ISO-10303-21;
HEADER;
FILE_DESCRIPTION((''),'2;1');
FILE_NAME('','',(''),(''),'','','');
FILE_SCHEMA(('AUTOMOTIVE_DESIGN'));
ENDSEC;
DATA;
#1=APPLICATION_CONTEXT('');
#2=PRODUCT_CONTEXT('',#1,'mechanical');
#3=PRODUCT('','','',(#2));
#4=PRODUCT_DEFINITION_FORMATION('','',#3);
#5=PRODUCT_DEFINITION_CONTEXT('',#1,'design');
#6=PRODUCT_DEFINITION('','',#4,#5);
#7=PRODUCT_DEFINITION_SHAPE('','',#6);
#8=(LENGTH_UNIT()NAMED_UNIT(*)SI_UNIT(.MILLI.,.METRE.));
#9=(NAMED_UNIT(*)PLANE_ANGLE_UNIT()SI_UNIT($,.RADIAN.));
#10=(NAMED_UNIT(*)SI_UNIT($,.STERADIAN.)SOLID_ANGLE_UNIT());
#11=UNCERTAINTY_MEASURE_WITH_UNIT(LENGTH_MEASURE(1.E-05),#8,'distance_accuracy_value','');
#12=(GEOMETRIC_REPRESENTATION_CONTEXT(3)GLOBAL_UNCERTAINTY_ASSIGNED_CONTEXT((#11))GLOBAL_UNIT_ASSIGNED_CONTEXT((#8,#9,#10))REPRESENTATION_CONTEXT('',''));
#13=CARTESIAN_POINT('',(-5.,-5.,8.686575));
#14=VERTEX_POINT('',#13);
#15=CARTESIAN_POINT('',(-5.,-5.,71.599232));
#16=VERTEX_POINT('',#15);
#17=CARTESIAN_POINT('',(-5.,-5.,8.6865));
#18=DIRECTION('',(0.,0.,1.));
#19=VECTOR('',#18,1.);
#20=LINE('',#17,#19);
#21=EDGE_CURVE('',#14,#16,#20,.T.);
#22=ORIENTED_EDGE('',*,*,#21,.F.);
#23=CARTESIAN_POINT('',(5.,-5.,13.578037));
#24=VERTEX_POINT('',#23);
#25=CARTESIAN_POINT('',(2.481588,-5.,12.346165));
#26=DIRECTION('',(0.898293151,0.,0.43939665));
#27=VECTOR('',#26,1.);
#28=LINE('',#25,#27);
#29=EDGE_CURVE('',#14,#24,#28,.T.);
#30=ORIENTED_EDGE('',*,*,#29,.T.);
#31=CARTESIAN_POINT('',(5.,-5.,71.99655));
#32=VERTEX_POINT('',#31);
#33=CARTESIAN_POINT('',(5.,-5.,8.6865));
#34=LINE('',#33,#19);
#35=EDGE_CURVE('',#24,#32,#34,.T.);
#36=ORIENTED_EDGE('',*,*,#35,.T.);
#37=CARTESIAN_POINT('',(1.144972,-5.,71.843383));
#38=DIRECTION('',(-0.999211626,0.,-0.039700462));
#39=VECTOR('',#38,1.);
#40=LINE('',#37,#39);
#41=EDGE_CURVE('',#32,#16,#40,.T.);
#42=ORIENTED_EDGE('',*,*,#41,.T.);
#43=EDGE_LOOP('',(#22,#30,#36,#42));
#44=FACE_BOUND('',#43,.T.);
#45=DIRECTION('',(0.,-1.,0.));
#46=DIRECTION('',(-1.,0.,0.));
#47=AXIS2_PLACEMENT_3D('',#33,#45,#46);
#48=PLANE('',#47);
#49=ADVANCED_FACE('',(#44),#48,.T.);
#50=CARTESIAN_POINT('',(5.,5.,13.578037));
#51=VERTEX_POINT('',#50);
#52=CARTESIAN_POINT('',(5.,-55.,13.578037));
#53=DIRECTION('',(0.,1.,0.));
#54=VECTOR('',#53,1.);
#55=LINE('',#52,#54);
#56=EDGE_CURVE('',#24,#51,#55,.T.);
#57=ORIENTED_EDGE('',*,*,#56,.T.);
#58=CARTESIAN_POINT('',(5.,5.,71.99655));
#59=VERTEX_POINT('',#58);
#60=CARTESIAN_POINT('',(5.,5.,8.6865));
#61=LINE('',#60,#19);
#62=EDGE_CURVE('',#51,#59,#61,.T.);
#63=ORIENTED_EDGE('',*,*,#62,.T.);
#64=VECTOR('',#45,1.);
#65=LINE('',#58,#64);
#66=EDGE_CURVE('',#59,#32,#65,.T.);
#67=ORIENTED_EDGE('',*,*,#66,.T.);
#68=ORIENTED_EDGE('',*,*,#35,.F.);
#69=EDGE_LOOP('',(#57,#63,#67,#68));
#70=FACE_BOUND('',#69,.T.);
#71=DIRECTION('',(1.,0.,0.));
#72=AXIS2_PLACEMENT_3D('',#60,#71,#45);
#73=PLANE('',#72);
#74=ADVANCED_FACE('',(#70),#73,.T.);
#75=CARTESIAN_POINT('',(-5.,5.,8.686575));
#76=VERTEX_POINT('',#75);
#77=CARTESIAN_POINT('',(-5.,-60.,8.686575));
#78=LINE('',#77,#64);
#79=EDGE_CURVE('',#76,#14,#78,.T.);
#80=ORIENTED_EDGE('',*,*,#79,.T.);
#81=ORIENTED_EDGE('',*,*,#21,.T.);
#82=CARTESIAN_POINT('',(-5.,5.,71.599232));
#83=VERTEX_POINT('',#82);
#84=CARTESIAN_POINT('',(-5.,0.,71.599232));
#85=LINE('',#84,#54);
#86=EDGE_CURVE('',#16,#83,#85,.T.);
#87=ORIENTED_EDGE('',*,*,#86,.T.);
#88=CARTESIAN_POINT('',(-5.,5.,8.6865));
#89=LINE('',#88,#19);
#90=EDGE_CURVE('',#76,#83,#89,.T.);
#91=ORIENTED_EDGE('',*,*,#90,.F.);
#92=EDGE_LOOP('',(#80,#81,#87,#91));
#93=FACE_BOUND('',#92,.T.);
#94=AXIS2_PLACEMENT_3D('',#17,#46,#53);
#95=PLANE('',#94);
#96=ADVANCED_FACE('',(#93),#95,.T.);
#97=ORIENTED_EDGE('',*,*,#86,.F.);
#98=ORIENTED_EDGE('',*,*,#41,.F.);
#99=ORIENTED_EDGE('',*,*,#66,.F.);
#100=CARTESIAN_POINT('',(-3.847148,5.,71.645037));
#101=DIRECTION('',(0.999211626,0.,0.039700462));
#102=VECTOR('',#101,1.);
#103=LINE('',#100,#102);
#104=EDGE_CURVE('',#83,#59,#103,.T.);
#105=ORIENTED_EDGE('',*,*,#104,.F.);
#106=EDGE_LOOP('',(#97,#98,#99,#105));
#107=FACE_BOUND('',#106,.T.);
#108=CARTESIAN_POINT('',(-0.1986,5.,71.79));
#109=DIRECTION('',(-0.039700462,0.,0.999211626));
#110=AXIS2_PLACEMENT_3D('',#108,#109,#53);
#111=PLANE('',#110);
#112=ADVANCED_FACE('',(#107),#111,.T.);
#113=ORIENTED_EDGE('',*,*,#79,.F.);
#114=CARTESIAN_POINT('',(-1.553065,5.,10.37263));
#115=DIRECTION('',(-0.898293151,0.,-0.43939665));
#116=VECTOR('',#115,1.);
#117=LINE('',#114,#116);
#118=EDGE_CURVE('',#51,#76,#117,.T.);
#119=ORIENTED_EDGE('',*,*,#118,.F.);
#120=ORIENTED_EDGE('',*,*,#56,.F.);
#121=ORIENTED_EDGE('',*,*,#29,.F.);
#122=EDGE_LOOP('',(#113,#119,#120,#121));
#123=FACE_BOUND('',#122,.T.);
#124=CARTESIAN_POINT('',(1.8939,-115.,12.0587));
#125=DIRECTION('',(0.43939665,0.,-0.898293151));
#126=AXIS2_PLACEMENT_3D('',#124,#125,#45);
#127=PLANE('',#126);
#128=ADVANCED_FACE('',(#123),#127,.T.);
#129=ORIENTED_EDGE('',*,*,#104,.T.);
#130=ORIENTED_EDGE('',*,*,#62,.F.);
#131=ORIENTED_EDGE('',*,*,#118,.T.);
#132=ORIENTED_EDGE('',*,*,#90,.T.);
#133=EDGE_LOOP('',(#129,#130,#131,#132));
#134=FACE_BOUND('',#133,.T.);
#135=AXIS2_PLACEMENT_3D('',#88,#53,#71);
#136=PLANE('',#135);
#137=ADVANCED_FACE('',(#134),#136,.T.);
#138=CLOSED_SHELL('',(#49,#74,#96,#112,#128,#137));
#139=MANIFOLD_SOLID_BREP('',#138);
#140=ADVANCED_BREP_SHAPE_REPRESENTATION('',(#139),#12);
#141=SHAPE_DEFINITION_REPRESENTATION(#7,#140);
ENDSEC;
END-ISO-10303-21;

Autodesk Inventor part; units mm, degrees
ref_plane "Start Plane" through (0, 0, 8.6865) normal (0, 0, 1) x (1, 0, 0)
ref_plane "End Plane" through (0, 0, 71.9966) normal (0, 0, 1) x (1, 0, 0)
sketch "Sketch" plane through (0, 0, 0) normal (0, 0, 1) x (1, 0, 0)
  line L0 (5, -5) -> (-5, -5)
  line L1 (-5, -5) -> (-5, 5)
  line L2 (-5, 5) -> (5, 5)
  line L3 (5, 5) -> (5, -5)
  line L4 (-6, 0) -> (8, 0) construction
  line L5 (0, -30) -> (0, 40) construction
  line L6 (0, 54) -> (0, -44) construction
  line L7 (-9.2, 0) -> (13.2, 0) construction
  dimension "d0" = 10
  dimension "d1" = 10
  dimension "d4" = 5
  dimension "d5" = 5
extrude "Body" add sketch "Sketch" along normal up to surface (63.3101 mm away) from surface at 8.6865
sketch "Sketch3" plane through (0, 0, 0) normal (0, 0, 1) x (1, 0, 0)
  line L0 (0, 0) -> (10, 0)
ref_plane "Work Plane3" through (0, 0, 0) normal (0, -1, 0) x (1, 0, 0)
sketch "Sketch4" plane through (0, 0, 0) normal (0, -1, 0) x (1, 0, 0)
  line L0 (-2, 8.6865) -> (12, 8.6865)
  line L1 (-2, 71.9966) -> (12, 71.9966)
  dimension "d9" = 63.3101
ref_plane "Work Plane5" through (1.8939, -115, 12.0587) normal (0.4394, 0, -0.8983) x (-0.8983, 0, -0.4394)
split "Split2" plane through (1.8939, -115, 12.0587) removes the side toward (0.4394, 0, -0.8983)
ref_plane "Work Plane6" through (-0.1986, 5, 71.79) normal (-0.0397, 0, 0.9992) x (0.9992, 0, 0.0397)
split "Split3" plane through (-0.1986, 5, 71.79) removes the side toward (-0.0397, 0, 0.9992)
equation "\"d0\" = G_W"
equation "\"d1\" = G_H"
equation "\"d4\" = 0.5 * d1"
equation "\"d5\" = 0.5 * d0"
equation "\"d2\" = G_L"
equation "\"G_W\" = 10"
equation "\"G_H\" = 10"
equation "\"G_L\" = d9"
equation "\"G_OFFSET_START\" = -8.68648"
equation "\"G_OFFSET_END\" = 5.20268"
equation "\"d6\" = -G_OFFSET_START"
equation "\"d7\" = G_OFFSET_END + B_L"
equation "\"B_L\" = 66.7939"
properties part number "ISO 1035/2 - 10 x 10 - 63.31" material "Steel, Mild"
